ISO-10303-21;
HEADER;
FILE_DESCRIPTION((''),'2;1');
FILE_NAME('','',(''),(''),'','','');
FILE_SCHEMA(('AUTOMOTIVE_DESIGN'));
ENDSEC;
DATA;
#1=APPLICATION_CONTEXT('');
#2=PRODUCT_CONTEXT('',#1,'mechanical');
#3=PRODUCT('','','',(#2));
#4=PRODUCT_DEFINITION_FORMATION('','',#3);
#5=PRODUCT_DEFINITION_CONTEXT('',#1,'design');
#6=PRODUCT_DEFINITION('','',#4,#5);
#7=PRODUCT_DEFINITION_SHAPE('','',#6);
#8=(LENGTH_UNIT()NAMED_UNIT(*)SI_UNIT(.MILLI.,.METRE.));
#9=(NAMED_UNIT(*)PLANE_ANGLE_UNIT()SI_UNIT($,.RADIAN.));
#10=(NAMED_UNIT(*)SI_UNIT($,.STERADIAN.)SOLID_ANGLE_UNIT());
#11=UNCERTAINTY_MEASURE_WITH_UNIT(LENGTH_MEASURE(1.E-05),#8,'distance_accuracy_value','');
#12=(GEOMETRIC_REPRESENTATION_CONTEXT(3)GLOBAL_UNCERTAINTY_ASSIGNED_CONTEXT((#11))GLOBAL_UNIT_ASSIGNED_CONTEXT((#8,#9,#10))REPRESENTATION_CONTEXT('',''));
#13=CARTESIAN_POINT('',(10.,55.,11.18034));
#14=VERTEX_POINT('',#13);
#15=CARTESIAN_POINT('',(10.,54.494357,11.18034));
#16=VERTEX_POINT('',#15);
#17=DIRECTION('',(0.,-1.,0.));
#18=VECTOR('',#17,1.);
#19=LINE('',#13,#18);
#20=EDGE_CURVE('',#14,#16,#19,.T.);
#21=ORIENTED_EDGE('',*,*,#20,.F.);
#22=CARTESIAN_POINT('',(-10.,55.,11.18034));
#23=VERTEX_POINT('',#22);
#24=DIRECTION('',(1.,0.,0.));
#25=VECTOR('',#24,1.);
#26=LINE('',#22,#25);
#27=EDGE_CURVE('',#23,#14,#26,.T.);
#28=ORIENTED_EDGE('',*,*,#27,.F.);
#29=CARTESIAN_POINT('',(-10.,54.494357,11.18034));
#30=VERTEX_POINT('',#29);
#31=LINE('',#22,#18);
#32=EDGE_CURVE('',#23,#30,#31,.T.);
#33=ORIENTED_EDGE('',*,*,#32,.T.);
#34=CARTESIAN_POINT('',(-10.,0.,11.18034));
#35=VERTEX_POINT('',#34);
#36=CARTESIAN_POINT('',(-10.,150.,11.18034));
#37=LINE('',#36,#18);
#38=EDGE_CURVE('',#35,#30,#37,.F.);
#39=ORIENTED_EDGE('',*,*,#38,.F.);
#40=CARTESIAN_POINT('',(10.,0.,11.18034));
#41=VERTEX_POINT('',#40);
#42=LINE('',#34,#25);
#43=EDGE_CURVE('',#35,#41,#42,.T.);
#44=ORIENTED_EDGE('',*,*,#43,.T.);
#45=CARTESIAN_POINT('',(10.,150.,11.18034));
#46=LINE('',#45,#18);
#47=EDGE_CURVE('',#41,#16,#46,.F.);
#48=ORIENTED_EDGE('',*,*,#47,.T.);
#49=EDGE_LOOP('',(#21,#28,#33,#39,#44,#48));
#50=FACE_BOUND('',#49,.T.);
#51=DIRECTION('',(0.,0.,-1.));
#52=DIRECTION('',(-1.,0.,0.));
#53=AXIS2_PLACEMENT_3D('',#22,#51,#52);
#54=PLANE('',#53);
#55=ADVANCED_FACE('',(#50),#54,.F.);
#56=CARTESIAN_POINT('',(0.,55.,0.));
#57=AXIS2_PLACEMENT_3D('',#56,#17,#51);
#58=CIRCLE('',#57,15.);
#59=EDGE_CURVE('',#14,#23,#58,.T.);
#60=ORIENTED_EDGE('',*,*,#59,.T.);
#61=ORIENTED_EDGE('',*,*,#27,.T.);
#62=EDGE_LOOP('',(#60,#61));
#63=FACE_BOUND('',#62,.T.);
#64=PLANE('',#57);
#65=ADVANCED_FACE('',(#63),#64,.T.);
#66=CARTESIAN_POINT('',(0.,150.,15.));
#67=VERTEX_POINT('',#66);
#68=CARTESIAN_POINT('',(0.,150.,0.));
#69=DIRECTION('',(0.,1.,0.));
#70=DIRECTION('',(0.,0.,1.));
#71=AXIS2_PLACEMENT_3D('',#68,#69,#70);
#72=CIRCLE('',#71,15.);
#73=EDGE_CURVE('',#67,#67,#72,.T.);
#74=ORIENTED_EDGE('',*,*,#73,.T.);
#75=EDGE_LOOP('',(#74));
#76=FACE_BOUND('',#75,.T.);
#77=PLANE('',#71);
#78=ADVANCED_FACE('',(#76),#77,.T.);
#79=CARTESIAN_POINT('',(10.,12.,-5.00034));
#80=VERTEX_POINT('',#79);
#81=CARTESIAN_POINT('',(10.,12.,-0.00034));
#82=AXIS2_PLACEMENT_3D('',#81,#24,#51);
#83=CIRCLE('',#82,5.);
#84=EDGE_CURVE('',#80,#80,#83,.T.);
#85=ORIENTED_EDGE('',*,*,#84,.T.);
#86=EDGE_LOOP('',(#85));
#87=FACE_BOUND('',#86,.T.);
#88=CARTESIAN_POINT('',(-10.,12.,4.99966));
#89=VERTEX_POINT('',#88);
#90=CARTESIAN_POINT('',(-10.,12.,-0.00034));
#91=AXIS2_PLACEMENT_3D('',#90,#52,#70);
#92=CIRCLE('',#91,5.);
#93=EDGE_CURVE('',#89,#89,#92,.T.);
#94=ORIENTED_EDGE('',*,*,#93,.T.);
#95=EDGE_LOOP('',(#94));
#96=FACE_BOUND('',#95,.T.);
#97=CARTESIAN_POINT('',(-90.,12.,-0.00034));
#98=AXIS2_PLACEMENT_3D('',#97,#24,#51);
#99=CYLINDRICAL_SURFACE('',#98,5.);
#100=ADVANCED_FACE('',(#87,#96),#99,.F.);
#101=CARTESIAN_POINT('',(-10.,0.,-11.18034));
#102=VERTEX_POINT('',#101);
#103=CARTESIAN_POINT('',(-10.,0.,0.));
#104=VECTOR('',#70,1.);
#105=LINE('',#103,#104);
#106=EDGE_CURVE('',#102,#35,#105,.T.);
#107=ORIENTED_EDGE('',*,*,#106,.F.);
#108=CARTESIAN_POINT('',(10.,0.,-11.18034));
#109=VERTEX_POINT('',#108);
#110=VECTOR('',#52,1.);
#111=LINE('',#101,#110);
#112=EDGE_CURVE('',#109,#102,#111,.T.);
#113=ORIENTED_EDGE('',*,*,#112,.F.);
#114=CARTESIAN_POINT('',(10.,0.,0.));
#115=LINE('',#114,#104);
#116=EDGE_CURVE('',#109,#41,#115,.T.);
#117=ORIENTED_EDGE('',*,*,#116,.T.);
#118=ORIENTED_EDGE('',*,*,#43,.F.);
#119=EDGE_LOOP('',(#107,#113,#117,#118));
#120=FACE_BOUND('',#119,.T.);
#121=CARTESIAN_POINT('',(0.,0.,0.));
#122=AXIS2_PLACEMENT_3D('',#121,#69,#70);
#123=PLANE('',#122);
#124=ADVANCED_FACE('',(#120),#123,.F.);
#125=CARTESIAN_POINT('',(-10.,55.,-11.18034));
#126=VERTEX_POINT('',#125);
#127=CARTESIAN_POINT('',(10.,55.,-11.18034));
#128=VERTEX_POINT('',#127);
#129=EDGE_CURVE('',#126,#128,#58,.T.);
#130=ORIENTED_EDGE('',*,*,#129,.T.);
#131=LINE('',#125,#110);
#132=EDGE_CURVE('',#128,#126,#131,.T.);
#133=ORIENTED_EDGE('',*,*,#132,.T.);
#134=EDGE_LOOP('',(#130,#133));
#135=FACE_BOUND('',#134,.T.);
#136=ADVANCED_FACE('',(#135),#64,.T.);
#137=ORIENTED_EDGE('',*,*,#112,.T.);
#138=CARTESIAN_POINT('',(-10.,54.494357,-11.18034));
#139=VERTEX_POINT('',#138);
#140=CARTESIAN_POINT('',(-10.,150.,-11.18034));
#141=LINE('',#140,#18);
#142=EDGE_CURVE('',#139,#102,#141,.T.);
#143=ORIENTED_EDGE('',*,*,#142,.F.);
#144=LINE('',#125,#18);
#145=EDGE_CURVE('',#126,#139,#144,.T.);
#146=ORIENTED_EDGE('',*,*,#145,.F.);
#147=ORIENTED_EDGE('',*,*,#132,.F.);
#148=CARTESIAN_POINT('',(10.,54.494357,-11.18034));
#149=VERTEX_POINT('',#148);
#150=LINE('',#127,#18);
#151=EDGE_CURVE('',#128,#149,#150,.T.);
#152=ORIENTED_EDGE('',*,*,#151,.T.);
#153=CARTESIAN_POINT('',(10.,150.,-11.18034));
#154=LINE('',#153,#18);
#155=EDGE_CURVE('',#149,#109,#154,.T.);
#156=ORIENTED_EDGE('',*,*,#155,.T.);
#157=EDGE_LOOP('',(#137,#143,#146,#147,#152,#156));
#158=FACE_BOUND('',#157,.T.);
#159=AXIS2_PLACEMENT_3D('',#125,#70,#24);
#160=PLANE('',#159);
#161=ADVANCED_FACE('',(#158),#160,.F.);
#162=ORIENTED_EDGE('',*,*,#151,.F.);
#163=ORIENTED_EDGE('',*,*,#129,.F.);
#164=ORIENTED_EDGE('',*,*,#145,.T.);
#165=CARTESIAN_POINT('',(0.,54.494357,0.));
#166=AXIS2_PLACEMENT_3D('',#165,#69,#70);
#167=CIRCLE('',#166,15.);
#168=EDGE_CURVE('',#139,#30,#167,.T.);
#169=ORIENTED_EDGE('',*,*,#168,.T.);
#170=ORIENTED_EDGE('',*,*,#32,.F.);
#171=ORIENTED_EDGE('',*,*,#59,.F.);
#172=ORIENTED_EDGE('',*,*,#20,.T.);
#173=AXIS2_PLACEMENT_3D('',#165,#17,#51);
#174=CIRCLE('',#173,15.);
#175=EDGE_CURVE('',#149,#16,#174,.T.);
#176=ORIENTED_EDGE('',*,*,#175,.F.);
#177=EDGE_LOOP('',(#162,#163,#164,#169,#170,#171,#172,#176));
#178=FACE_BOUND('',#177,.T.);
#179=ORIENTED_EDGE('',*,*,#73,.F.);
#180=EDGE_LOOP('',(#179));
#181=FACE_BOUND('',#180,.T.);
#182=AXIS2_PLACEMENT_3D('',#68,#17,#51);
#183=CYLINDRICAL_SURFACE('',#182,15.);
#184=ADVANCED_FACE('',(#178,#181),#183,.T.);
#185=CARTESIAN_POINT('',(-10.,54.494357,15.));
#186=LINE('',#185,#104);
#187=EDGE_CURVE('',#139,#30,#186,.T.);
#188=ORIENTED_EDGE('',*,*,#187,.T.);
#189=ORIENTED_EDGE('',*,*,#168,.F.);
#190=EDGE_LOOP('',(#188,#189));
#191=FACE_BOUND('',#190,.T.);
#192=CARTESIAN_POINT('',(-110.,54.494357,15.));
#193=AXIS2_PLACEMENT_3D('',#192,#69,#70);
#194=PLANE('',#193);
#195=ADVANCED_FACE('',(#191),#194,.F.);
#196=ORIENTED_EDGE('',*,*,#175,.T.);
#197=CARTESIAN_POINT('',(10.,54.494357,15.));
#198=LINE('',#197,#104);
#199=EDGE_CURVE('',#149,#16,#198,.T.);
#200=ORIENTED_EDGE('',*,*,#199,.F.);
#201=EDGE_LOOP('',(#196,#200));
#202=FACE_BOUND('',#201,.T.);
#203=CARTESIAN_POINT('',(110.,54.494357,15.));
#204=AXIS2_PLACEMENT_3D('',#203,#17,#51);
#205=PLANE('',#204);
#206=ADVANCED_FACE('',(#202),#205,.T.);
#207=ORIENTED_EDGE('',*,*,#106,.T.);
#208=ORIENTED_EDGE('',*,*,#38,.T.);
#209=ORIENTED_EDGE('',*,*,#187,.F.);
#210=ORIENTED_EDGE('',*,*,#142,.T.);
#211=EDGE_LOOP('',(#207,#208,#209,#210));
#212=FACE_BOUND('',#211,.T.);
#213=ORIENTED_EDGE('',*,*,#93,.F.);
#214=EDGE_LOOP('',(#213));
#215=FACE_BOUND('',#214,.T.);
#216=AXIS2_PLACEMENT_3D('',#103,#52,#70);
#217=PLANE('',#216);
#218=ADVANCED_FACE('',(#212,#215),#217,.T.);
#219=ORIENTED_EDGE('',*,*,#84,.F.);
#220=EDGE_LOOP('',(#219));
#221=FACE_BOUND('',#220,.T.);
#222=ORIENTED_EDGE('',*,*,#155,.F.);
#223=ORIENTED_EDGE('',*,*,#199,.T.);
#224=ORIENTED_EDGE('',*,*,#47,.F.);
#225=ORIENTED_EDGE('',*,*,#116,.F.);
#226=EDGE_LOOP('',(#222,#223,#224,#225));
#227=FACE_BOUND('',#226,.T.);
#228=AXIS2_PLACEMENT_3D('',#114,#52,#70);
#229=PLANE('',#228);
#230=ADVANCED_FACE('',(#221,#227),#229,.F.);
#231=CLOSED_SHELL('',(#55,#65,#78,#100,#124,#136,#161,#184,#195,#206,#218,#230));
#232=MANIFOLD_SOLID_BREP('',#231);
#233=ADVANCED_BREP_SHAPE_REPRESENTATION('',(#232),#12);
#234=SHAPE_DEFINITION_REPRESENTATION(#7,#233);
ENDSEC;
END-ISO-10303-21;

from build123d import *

# Parameters (mm, degrees)
SKETCH2_R           = 15
BOSS_EXTRUDE1_DEPTH = 150
CUT_EXTRUDE1_START  = 10
SKETCH3_W           = 30
SKETCH3_H           = 108.98871412
CUT_EXTRUDE1_DEPTH  = 100
CUT_EXTRUDE2_START  = -10
SKETCH3_2_W         = 30
SKETCH3_2_H         = 108.98871412
CUT_EXTRUDE2_DEPTH  = 100
SKETCH4_R           = 5
CUT_EXTRUDE3_DEPTH  = 100
CUT_EXTRUDE4_DEPTH  = 55


with BuildPart() as part:
    # Sketch2 → Boss-Extrude1 (new body)
    with BuildSketch(Plane(origin=(0, 0, 0), x_dir=(1, 0, 0), z_dir=(0, 1, 0))):
        Circle(SKETCH2_R)
    extrude(amount=BOSS_EXTRUDE1_DEPTH)

    # Sketch3 → Cut-Extrude1 (cut)
    with BuildSketch(Plane(origin=(0, 0, 0), x_dir=(0, 0, -1), z_dir=(1, 0, 0)).offset(CUT_EXTRUDE1_START)):
        Rectangle(SKETCH3_W, SKETCH3_H)
    extrude(amount=CUT_EXTRUDE1_DEPTH, mode=Mode.SUBTRACT)

    # Sketch3<2> → Cut-Extrude2 (cut)
    with BuildSketch(Plane(origin=(0, 0, 0), x_dir=(0, 0, -1), z_dir=(1, 0, 0)).offset(CUT_EXTRUDE2_START)):
        Rectangle(SKETCH3_2_W, SKETCH3_2_H)
    extrude(amount=-CUT_EXTRUDE2_DEPTH, mode=Mode.SUBTRACT)

    # Sketch4 → Cut-Extrude3 (cut)
    with BuildSketch(Plane(origin=(10, 0, 0), x_dir=(0, 0, -1), z_dir=(1, 0, 0))):
        with Locations((0.000339887, 12)):
            Circle(SKETCH4_R)
    extrude(amount=-CUT_EXTRUDE3_DEPTH, mode=Mode.SUBTRACT)

    # Sketch5 → Cut-Extrude4 (cut)
    with BuildSketch(Plane.XZ):
        with BuildLine():
            Line((-10, 11.180339887), (10, 11.180339887))
            ThreePointArc((10, 11.180339887), (0, 15), (-10, 11.180339887))
        make_face()
        with BuildLine():
            Line((-10, -11.180339887), (10, -11.180339887))
            ThreePointArc((10, -11.180339887), (0, -15), (-10, -11.180339887))
        make_face()
    extrude(amount=-CUT_EXTRUDE4_DEPTH, mode=Mode.SUBTRACT)


solid = part.part
